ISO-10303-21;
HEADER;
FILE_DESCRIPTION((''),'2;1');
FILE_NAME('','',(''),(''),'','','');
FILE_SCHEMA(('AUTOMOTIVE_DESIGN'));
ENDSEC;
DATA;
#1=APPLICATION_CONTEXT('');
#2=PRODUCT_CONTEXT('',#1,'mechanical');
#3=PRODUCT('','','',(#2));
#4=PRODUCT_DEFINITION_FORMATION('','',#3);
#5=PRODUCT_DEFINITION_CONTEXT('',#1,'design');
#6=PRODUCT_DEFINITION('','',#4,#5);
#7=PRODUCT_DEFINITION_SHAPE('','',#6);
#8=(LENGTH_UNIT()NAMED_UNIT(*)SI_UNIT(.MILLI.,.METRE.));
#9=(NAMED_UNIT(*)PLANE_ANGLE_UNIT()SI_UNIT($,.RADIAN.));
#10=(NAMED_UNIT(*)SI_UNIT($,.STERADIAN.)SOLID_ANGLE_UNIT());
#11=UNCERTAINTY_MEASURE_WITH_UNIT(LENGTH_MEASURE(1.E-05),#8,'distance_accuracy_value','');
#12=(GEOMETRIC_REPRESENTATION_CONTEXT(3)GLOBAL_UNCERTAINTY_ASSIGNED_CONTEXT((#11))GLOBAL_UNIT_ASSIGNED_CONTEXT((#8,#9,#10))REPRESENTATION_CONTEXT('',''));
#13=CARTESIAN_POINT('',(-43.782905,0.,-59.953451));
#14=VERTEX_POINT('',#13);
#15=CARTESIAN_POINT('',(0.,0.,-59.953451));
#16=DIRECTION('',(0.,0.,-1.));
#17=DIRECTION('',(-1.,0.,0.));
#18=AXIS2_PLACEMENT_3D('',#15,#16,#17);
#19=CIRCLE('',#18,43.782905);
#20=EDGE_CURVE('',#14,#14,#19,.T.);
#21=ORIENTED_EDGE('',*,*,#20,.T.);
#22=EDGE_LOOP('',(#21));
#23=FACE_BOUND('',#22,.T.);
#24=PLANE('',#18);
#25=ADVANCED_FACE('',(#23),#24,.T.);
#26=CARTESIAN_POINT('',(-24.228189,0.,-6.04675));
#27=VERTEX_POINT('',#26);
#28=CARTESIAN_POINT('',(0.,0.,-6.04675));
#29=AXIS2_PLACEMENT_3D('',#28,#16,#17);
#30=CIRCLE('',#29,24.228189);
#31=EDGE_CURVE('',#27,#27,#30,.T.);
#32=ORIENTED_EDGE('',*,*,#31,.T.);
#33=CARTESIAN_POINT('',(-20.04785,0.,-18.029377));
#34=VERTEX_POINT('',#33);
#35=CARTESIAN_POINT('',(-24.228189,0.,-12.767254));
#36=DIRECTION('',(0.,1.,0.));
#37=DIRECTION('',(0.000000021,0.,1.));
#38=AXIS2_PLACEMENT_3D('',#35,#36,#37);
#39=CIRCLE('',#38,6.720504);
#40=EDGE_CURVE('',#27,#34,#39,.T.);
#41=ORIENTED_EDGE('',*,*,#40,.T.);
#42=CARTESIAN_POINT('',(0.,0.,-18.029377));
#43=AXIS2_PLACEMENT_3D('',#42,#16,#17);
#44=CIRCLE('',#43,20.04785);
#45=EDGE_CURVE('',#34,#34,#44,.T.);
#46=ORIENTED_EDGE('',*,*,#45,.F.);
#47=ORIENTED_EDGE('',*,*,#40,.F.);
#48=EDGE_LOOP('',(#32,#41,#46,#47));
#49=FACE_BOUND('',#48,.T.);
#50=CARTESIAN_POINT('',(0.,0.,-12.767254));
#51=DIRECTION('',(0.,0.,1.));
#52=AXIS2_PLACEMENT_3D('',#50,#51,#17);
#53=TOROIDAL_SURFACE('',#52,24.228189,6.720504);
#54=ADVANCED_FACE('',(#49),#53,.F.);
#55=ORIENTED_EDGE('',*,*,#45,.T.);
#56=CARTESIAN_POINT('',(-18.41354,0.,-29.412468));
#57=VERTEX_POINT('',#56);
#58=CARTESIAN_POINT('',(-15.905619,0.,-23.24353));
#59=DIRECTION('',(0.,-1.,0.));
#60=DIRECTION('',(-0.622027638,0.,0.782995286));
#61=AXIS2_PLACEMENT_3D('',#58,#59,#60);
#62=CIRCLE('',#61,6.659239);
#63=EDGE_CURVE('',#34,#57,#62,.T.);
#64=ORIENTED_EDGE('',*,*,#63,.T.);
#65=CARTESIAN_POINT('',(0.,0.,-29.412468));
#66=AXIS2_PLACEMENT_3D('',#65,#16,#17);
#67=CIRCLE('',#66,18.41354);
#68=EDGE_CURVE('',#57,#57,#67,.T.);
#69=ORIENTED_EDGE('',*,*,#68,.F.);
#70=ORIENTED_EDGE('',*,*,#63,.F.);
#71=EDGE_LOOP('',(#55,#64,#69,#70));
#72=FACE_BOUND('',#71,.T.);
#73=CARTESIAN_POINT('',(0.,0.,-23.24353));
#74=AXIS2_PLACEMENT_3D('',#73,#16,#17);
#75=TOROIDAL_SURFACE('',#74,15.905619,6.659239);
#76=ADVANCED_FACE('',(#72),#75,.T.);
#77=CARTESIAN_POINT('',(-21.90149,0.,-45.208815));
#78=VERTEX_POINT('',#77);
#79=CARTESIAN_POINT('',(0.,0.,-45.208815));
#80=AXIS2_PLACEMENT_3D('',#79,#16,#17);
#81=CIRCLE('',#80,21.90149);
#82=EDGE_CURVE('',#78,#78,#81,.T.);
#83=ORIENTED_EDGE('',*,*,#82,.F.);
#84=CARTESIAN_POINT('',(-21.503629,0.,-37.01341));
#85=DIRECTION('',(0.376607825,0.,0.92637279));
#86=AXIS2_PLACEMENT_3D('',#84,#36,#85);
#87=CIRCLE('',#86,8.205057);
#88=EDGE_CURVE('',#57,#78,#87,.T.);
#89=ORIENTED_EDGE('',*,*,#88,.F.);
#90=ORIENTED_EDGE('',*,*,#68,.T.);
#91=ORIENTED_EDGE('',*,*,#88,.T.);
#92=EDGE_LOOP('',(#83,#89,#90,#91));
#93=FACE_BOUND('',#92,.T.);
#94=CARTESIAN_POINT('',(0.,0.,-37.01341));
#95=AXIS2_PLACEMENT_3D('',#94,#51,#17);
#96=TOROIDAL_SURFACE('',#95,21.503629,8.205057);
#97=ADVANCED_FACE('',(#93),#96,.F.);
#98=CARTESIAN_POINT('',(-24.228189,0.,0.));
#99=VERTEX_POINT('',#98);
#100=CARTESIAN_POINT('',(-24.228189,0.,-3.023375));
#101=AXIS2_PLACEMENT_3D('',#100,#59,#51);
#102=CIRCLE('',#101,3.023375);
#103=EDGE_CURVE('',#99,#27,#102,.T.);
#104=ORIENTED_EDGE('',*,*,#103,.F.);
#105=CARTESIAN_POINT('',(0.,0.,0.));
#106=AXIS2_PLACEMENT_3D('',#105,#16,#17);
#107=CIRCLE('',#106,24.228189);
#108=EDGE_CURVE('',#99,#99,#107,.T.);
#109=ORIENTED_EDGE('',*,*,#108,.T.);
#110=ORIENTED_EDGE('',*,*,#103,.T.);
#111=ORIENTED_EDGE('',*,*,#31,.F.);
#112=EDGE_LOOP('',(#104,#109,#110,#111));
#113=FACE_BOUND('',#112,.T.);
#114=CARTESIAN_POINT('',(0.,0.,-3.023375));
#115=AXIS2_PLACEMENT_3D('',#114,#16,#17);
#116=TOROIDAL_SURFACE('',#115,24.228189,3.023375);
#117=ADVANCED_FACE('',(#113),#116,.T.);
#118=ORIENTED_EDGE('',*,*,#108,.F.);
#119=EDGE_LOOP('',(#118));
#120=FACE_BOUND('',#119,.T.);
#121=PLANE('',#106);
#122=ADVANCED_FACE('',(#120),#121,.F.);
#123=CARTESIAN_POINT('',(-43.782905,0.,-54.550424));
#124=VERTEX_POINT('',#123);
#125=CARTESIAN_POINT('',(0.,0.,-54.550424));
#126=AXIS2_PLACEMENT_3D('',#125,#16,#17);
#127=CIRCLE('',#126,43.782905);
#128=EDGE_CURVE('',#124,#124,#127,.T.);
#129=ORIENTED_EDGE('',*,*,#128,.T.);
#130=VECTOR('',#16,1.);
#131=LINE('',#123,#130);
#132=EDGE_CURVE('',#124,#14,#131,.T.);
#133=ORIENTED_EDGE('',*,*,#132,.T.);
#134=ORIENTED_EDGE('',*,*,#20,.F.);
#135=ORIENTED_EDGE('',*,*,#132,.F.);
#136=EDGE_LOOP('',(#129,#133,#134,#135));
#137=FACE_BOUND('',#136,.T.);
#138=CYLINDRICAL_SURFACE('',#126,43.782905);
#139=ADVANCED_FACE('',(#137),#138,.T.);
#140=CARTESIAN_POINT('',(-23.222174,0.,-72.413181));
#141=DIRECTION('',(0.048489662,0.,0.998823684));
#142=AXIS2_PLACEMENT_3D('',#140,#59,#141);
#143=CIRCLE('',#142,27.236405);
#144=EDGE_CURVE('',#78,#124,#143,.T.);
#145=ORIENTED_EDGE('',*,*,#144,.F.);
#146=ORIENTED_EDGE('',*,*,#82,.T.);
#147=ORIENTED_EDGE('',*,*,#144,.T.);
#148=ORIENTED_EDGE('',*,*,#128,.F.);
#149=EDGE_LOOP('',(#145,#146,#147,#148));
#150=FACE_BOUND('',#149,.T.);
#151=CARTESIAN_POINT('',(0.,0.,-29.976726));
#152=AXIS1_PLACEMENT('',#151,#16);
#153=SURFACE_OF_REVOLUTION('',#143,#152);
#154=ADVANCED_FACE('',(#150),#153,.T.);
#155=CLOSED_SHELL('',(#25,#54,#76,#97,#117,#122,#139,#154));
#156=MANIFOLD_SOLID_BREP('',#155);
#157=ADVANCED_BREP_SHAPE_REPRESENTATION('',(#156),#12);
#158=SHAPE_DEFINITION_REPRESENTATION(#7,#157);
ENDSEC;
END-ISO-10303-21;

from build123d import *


with BuildPart() as f1:
    # F0 (on Front) → F1 (revolve)
    with BuildSketch(Plane.XZ):
        with BuildLine():
            Line((0, 0), (-24.228189, 0))
            ThreePointArc((-24.228189, 0), (-27.251564, -3.023375), (-24.228189, -6.04675))
            ThreePointArc((-24.228189, -6.04675), (-17.882746, -10.553541), (-20.04785, -18.029377))
            ThreePointArc((-20.04785, -18.029377), (-22.497267, -24.189915), (-18.41354, -29.412468))
            ThreePointArc((-18.41354, -29.412468), (-13.491565, -38.782533), (-21.90149, -45.208815))
            ThreePointArc((-21.90149, -45.208815), (-33.916157, -47.36402), (-43.782905, -54.550424))
            Line((-43.782905, -54.550424), (-43.782905, -59.953451))
            Line((-43.782905, -59.953451), (0, -59.953451))
            Line((0, -59.953451), (0, 0))
        make_face()
    revolve(axis=Axis((0, 0, -29.976726), (0, 0, -1)))


solid = f1.part
